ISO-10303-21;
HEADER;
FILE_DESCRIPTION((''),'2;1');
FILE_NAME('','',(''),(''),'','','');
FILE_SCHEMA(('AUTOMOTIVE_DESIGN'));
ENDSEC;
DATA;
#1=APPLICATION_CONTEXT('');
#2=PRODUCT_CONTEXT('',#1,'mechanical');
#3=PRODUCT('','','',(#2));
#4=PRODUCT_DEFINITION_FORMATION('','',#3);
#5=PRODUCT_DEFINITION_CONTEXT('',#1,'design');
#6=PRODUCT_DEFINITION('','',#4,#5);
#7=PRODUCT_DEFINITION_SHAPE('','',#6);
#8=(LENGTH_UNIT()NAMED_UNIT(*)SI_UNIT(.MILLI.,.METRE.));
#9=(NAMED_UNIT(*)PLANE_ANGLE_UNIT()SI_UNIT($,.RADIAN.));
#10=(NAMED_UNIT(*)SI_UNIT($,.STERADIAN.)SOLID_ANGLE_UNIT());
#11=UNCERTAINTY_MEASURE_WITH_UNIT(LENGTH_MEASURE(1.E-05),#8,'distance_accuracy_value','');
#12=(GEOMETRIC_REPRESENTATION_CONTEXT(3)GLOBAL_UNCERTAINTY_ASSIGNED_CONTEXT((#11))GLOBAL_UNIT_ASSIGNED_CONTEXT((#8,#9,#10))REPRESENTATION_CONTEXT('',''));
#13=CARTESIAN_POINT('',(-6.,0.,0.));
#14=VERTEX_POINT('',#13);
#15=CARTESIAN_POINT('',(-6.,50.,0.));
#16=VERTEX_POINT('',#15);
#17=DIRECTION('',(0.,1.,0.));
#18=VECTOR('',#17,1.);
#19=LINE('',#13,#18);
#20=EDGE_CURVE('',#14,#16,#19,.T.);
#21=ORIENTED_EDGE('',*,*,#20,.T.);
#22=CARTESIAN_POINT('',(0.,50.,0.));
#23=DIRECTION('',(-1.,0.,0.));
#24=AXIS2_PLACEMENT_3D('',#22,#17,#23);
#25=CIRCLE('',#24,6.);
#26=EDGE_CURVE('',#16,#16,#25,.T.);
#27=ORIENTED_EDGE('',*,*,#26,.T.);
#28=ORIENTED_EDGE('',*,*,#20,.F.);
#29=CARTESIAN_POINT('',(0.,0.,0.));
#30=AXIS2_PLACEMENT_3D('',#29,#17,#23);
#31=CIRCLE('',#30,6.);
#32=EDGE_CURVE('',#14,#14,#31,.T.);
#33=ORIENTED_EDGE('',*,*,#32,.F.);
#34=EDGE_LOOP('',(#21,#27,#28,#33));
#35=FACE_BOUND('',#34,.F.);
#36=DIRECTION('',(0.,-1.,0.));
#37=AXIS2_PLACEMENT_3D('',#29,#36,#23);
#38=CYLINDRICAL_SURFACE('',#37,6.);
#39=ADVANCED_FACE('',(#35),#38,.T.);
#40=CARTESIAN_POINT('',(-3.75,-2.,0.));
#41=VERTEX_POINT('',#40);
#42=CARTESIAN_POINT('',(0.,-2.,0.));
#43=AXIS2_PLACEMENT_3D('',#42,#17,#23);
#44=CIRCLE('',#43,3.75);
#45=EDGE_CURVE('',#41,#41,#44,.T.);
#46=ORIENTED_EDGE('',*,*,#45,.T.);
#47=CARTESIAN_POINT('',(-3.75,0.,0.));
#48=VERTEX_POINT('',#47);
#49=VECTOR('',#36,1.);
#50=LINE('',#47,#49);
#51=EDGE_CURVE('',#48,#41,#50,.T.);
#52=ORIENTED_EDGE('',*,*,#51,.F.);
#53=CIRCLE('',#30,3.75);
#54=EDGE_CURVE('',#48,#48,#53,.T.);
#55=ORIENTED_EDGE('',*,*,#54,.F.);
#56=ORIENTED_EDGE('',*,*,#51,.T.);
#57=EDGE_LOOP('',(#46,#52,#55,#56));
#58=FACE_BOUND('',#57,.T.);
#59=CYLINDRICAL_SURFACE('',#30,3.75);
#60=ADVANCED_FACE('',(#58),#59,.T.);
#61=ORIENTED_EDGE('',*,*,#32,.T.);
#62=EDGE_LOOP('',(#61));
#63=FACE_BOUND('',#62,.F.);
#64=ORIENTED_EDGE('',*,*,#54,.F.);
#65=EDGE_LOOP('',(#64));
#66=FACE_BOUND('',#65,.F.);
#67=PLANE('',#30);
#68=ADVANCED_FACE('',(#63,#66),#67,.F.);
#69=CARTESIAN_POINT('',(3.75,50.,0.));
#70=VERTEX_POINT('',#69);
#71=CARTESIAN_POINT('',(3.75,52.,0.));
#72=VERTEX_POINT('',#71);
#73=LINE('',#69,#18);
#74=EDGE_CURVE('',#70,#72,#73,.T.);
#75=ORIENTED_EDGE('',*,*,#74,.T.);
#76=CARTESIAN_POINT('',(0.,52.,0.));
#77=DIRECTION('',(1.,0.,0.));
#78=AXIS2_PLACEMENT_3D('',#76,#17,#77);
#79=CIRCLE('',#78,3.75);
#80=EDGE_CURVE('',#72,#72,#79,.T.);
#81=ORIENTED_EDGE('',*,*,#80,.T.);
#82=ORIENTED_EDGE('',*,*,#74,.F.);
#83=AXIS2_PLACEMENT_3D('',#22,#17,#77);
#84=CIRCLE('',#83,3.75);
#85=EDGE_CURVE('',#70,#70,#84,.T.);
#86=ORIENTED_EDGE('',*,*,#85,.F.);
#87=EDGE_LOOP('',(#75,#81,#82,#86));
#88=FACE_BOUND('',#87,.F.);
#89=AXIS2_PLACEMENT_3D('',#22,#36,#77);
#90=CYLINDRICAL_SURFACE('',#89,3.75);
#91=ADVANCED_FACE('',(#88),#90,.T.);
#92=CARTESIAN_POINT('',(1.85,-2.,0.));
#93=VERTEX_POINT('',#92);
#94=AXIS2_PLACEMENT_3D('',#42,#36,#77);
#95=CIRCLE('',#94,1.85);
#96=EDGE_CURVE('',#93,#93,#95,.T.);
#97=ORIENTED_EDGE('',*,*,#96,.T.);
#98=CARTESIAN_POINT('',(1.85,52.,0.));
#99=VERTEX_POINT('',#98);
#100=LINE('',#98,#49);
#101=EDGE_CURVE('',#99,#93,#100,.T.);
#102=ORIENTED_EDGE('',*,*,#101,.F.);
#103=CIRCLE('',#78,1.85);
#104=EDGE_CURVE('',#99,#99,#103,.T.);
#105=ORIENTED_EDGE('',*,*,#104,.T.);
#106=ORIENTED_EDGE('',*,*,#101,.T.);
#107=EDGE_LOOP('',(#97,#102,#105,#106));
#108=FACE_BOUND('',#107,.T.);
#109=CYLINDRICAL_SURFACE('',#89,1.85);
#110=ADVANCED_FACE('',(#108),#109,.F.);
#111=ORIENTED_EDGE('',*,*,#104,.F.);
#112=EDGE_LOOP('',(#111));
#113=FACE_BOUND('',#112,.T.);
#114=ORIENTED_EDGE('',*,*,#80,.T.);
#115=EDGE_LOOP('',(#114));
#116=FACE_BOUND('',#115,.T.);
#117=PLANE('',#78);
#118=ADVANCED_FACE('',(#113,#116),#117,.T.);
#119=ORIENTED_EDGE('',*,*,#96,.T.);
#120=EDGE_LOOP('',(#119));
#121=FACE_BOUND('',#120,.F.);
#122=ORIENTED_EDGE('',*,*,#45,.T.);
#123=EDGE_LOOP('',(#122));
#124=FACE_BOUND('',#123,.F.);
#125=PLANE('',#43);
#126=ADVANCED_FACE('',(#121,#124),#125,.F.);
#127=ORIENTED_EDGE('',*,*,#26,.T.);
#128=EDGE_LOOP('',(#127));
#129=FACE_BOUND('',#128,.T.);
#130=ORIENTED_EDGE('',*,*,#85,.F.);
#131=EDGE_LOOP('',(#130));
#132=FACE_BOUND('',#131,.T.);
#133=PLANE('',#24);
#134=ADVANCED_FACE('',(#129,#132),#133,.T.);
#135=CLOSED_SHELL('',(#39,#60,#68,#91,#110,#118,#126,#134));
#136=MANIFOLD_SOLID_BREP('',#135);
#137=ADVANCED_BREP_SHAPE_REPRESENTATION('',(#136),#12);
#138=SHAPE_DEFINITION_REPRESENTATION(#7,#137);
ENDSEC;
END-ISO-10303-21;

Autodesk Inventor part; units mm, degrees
ref_plane "YZ Plane" through (0, 0, 0) normal (1, 0, 0) x (0, 1, 0)
ref_plane "XZ Plane" through (0, 0, 0) normal (0, 1, 0) x (-1, 0, 0)
ref_plane "XY Plane" through (0, 0, 0) normal (0, 0, 1) x (1, 0, 0)
sketch "Sketch1" plane through (0, 0, 0) normal (0, 1, 0) x (-1, 0, 0)
  circle A0 centre (0, 0) radius 3.75
  circle A1 centre (0, 0) radius 6
  dimension "d0" = 7.5
  dimension "d1" = 12
extrude "Extrusion1" add sketch "Sketch1" along normal blind 50 contours A0 | A1
extrude "Extrusion2" add sketch "Sketch1" against normal blind 2 contours A0
sketch "Sketch2" plane through (0, -2, 0) normal (0, -1, 0) x (1, 0, 0)
  circle A0 centre (0, 0) radius 1.85
  dimension "d6" = 3.7
extrude "Extrusion3" cut sketch "Sketch2" against normal blind 600
sketch "Sketch3" plane through (0, 50, 0) normal (0, 1, 0) x (1, 0, 0)
  circle A0 centre (0, 0) radius 1.85 projected
  circle A1 centre (0, 0) radius 3.75
  dimension "d9" = 7.5
extrude "Extrusion4" add sketch "Sketch3" along normal blind 2
properties part number "extendo1"
